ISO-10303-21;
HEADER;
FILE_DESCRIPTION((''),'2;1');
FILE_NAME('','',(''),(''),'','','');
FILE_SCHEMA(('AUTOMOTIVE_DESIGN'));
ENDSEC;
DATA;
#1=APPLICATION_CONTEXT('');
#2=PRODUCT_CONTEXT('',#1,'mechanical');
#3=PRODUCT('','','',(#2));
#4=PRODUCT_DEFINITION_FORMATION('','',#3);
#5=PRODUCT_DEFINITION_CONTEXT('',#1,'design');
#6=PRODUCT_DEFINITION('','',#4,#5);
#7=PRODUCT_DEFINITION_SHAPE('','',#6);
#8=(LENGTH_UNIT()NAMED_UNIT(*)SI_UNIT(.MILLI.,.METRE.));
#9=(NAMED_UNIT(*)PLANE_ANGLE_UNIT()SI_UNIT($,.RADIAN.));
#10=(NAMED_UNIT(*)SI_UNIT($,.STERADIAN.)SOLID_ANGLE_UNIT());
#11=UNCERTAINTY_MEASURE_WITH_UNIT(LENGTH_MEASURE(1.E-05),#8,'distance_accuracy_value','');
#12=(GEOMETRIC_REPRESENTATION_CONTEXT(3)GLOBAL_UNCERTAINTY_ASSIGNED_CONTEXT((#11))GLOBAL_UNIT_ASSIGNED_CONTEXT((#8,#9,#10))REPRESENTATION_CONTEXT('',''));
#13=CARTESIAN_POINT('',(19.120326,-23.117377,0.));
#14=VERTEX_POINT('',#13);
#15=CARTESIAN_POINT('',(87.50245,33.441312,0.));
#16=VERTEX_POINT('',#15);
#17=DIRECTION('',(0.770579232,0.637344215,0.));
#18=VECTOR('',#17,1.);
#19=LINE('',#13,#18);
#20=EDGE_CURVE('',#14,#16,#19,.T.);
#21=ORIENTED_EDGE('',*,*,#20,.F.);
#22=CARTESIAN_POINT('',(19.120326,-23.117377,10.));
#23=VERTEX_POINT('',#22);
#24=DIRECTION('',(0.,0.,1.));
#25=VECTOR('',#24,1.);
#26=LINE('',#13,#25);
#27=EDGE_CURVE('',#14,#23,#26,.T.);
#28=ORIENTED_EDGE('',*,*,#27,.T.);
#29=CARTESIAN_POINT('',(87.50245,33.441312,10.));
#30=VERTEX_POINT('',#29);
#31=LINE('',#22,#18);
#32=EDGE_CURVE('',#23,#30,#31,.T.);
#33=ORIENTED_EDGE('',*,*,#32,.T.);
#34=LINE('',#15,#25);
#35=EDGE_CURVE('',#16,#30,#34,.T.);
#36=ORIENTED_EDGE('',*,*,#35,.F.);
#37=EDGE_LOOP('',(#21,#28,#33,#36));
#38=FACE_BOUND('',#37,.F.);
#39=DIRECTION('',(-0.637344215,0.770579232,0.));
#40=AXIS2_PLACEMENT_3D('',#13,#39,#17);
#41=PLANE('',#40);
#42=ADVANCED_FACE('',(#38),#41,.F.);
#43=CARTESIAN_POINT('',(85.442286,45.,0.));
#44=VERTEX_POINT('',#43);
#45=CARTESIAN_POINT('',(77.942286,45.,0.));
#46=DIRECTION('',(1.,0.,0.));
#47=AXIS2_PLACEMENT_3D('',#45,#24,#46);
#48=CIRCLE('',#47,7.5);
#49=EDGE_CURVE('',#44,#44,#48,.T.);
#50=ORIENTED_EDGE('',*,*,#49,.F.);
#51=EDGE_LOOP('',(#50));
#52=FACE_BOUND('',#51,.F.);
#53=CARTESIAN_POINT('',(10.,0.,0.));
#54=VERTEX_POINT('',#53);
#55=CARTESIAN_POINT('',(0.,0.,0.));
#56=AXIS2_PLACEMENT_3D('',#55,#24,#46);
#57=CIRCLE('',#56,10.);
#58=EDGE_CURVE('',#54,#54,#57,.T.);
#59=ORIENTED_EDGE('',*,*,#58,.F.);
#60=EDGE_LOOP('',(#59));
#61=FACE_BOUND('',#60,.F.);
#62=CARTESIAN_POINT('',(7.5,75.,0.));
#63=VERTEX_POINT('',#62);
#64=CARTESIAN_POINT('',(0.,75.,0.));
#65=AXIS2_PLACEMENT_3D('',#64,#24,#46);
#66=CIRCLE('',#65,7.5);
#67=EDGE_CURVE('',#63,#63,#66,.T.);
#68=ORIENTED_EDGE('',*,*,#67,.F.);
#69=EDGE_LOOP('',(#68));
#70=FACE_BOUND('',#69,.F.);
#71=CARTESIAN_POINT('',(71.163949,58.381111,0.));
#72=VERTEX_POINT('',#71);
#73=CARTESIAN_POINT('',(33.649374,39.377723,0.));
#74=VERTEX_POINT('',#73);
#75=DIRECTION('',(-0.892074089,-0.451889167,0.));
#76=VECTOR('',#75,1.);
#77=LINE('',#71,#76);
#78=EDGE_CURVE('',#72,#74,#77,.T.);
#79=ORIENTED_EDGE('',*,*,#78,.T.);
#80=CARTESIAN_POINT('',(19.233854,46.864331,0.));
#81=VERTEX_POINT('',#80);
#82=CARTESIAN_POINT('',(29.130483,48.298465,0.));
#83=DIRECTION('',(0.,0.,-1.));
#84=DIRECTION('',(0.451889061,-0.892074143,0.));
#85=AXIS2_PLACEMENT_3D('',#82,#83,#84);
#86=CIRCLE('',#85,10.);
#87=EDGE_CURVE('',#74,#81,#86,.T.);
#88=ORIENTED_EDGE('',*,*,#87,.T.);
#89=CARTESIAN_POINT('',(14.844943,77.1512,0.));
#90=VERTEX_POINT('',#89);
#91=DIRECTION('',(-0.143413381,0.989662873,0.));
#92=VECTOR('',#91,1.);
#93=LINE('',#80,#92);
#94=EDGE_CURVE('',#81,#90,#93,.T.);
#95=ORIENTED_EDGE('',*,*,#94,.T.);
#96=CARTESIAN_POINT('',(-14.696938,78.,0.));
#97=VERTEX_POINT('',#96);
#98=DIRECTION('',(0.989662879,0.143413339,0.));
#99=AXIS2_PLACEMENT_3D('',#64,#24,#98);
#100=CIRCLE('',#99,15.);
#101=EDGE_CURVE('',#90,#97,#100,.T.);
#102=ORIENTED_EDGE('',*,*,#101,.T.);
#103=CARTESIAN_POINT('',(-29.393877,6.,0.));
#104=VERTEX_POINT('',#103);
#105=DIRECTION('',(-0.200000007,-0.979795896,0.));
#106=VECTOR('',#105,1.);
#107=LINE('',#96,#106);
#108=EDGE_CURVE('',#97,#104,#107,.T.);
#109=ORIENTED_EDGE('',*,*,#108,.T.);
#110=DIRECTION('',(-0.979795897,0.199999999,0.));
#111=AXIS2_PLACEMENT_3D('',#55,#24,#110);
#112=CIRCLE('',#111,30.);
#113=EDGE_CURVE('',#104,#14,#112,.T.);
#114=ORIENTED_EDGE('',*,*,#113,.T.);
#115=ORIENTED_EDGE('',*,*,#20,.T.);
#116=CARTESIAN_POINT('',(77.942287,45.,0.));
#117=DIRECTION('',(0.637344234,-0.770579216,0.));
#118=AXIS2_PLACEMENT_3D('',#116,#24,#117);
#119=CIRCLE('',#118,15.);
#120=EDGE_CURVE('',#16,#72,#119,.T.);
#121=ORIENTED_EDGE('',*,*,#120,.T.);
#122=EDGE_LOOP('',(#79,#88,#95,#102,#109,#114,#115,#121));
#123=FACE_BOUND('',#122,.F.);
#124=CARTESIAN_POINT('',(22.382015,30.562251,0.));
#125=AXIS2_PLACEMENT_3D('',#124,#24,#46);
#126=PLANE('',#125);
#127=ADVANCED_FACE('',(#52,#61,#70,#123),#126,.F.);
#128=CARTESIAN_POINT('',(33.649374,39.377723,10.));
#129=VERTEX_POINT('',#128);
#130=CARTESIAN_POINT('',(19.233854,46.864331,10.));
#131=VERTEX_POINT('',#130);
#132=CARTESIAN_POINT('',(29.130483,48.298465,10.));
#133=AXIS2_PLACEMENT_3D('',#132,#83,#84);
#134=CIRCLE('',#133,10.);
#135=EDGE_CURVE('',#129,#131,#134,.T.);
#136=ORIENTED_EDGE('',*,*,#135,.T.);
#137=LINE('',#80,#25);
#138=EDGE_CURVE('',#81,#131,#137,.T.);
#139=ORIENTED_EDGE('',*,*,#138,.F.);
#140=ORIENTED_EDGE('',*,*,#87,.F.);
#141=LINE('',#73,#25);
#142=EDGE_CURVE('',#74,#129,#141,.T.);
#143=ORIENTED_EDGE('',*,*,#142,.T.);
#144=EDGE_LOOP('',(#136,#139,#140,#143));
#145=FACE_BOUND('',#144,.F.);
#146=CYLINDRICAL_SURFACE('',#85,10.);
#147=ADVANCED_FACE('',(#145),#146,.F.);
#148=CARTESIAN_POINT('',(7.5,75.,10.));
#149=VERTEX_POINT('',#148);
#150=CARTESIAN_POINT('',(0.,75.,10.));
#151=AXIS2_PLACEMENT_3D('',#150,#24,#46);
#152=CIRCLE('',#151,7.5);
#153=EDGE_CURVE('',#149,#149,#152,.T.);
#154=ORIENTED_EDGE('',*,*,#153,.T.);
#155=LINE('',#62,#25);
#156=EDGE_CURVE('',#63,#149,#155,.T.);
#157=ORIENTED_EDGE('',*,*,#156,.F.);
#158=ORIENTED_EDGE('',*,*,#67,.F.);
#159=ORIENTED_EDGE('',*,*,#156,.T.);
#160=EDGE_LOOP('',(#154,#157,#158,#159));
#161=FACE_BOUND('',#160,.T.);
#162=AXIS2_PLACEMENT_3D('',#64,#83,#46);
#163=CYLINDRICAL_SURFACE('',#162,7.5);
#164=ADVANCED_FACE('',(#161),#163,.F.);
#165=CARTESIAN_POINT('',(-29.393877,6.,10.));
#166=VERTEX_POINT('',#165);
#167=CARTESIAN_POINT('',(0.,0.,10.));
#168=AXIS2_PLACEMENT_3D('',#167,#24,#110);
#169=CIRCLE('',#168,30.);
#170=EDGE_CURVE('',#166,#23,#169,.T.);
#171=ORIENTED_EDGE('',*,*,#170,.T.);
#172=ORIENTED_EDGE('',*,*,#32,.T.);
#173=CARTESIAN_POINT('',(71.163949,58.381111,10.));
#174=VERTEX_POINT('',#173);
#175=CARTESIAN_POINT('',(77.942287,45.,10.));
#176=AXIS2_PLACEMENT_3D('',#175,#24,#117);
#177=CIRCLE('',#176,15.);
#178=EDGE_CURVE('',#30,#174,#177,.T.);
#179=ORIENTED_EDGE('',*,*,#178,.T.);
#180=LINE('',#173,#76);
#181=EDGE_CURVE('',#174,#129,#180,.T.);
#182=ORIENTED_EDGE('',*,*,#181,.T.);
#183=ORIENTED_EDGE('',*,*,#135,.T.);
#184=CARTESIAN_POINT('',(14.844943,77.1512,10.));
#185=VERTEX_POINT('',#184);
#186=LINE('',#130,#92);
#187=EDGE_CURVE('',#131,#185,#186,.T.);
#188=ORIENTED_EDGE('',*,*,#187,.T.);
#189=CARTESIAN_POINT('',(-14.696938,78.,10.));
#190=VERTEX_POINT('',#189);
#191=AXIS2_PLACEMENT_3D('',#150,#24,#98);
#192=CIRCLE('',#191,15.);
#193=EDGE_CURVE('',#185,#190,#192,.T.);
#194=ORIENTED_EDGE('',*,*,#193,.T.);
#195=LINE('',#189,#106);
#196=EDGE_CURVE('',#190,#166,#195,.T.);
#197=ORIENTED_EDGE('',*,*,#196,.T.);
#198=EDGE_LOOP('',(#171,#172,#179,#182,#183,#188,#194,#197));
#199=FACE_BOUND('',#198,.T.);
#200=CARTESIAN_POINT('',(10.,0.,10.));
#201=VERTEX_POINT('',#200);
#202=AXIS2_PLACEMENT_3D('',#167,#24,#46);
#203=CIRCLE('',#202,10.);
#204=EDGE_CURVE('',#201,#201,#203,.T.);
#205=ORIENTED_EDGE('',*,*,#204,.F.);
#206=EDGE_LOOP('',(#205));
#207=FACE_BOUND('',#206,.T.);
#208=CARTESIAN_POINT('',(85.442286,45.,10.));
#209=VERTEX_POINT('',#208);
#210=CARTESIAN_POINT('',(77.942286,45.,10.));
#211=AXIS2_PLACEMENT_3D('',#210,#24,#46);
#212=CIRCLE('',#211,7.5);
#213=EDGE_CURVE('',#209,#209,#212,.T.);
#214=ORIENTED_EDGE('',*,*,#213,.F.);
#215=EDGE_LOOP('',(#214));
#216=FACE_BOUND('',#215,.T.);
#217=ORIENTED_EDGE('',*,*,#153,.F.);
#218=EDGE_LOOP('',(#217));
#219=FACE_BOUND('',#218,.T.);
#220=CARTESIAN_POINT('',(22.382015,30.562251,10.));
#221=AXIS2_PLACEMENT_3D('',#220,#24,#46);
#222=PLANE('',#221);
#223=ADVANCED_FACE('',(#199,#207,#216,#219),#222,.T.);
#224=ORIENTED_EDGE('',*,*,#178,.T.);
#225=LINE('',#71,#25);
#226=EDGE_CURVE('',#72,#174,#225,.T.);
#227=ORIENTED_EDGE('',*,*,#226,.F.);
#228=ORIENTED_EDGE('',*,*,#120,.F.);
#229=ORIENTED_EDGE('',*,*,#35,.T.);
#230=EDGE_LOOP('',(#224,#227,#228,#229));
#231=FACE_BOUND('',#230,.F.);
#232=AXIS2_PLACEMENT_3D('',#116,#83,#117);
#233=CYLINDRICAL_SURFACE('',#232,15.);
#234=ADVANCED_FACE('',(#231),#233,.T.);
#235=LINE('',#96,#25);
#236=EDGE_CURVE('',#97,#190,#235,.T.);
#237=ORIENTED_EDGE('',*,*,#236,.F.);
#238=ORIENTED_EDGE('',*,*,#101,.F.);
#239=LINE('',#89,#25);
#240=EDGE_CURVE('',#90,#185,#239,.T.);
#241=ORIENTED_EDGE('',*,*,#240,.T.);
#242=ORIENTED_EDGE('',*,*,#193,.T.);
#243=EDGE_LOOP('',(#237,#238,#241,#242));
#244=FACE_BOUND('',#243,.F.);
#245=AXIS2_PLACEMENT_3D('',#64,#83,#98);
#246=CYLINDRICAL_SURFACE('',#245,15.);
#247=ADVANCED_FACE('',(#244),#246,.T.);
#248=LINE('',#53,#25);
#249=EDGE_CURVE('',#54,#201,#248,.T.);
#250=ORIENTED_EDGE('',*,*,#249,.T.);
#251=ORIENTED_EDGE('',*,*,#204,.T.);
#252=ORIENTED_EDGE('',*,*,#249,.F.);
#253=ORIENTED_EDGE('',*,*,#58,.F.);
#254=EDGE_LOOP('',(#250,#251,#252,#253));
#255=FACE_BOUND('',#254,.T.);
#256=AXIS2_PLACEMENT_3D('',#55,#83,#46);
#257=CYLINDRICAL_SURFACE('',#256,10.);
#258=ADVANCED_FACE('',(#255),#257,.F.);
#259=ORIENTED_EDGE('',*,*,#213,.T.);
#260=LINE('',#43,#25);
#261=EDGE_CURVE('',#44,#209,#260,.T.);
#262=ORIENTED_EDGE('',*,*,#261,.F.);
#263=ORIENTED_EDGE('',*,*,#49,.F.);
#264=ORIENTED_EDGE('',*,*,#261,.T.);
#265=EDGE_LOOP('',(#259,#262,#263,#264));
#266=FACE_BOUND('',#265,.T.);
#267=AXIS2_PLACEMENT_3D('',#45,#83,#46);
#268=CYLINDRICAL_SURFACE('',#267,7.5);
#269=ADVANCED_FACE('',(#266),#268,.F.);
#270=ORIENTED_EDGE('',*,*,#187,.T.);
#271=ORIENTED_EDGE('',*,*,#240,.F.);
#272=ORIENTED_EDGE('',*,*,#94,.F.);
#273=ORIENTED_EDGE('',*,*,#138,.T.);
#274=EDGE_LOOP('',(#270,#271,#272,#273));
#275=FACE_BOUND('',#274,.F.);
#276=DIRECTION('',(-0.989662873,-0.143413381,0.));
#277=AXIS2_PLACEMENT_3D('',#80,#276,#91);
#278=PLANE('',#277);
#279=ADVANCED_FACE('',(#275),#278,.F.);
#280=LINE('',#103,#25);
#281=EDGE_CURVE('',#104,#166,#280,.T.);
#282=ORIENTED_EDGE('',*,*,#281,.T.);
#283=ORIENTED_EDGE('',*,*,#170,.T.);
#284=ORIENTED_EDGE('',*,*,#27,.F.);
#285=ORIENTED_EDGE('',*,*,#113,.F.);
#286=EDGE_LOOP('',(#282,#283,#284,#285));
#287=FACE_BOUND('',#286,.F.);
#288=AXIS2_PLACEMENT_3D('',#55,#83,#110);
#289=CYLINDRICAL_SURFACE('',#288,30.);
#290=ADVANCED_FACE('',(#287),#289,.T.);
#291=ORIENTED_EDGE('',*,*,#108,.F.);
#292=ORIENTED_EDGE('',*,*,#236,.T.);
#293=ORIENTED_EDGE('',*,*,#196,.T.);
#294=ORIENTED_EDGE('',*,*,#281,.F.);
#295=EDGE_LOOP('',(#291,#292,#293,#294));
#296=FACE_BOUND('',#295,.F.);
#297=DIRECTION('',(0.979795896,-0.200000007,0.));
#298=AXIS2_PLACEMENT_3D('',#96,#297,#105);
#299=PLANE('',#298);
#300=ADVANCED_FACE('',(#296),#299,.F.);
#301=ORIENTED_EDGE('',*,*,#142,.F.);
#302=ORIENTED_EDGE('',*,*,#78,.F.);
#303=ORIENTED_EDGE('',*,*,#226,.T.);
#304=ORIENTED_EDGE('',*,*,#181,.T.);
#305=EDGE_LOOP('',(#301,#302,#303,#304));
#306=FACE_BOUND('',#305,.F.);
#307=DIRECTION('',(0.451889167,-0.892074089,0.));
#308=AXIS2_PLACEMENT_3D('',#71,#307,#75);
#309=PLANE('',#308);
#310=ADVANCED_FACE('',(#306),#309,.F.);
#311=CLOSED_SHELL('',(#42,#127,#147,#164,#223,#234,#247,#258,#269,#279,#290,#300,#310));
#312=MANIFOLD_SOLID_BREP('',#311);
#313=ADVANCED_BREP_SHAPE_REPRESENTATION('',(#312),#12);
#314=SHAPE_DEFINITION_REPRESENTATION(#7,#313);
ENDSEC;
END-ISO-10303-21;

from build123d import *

# Parameters (mm, degrees)
F0_R     = 10
F0_R_2   = 7.5
F1_DEPTH = 10


with BuildPart() as f1:
    # F0 (on Top) → F1 (new body)
    with BuildSketch(Plane.XY):
        with BuildLine():
            Line((-14.696938, 78), (-29.393877, 6))
            ThreePointArc((-29.393877, 6), (-15.438325, -25.722716), (19.120326, -23.117377))
            Line((19.120326, -23.117377), (87.50245, 33.441312))
            ThreePointArc((87.50245, 33.441312), (90.489519, 53.219912), (71.163949, 58.381111))
            Line((71.163949, 58.381111), (33.649374, 39.377723))
            ThreePointArc((33.649374, 39.377723), (24.521542, 39.423913), (19.233854, 46.864331))
            Line((19.233854, 46.864331), (14.844943, 77.1512))
            ThreePointArc((14.844943, 77.1512), (0.430803, 89.993812), (-14.696938, 78))
        make_face()
        Circle(F0_R, mode=Mode.SUBTRACT)
        with Locations((0, 75)):
            Circle(F0_R_2, mode=Mode.SUBTRACT)
        with Locations((77.942286, 45)):
            Circle(F0_R_2, mode=Mode.SUBTRACT)
    extrude(amount=F1_DEPTH)


solid = f1.part
